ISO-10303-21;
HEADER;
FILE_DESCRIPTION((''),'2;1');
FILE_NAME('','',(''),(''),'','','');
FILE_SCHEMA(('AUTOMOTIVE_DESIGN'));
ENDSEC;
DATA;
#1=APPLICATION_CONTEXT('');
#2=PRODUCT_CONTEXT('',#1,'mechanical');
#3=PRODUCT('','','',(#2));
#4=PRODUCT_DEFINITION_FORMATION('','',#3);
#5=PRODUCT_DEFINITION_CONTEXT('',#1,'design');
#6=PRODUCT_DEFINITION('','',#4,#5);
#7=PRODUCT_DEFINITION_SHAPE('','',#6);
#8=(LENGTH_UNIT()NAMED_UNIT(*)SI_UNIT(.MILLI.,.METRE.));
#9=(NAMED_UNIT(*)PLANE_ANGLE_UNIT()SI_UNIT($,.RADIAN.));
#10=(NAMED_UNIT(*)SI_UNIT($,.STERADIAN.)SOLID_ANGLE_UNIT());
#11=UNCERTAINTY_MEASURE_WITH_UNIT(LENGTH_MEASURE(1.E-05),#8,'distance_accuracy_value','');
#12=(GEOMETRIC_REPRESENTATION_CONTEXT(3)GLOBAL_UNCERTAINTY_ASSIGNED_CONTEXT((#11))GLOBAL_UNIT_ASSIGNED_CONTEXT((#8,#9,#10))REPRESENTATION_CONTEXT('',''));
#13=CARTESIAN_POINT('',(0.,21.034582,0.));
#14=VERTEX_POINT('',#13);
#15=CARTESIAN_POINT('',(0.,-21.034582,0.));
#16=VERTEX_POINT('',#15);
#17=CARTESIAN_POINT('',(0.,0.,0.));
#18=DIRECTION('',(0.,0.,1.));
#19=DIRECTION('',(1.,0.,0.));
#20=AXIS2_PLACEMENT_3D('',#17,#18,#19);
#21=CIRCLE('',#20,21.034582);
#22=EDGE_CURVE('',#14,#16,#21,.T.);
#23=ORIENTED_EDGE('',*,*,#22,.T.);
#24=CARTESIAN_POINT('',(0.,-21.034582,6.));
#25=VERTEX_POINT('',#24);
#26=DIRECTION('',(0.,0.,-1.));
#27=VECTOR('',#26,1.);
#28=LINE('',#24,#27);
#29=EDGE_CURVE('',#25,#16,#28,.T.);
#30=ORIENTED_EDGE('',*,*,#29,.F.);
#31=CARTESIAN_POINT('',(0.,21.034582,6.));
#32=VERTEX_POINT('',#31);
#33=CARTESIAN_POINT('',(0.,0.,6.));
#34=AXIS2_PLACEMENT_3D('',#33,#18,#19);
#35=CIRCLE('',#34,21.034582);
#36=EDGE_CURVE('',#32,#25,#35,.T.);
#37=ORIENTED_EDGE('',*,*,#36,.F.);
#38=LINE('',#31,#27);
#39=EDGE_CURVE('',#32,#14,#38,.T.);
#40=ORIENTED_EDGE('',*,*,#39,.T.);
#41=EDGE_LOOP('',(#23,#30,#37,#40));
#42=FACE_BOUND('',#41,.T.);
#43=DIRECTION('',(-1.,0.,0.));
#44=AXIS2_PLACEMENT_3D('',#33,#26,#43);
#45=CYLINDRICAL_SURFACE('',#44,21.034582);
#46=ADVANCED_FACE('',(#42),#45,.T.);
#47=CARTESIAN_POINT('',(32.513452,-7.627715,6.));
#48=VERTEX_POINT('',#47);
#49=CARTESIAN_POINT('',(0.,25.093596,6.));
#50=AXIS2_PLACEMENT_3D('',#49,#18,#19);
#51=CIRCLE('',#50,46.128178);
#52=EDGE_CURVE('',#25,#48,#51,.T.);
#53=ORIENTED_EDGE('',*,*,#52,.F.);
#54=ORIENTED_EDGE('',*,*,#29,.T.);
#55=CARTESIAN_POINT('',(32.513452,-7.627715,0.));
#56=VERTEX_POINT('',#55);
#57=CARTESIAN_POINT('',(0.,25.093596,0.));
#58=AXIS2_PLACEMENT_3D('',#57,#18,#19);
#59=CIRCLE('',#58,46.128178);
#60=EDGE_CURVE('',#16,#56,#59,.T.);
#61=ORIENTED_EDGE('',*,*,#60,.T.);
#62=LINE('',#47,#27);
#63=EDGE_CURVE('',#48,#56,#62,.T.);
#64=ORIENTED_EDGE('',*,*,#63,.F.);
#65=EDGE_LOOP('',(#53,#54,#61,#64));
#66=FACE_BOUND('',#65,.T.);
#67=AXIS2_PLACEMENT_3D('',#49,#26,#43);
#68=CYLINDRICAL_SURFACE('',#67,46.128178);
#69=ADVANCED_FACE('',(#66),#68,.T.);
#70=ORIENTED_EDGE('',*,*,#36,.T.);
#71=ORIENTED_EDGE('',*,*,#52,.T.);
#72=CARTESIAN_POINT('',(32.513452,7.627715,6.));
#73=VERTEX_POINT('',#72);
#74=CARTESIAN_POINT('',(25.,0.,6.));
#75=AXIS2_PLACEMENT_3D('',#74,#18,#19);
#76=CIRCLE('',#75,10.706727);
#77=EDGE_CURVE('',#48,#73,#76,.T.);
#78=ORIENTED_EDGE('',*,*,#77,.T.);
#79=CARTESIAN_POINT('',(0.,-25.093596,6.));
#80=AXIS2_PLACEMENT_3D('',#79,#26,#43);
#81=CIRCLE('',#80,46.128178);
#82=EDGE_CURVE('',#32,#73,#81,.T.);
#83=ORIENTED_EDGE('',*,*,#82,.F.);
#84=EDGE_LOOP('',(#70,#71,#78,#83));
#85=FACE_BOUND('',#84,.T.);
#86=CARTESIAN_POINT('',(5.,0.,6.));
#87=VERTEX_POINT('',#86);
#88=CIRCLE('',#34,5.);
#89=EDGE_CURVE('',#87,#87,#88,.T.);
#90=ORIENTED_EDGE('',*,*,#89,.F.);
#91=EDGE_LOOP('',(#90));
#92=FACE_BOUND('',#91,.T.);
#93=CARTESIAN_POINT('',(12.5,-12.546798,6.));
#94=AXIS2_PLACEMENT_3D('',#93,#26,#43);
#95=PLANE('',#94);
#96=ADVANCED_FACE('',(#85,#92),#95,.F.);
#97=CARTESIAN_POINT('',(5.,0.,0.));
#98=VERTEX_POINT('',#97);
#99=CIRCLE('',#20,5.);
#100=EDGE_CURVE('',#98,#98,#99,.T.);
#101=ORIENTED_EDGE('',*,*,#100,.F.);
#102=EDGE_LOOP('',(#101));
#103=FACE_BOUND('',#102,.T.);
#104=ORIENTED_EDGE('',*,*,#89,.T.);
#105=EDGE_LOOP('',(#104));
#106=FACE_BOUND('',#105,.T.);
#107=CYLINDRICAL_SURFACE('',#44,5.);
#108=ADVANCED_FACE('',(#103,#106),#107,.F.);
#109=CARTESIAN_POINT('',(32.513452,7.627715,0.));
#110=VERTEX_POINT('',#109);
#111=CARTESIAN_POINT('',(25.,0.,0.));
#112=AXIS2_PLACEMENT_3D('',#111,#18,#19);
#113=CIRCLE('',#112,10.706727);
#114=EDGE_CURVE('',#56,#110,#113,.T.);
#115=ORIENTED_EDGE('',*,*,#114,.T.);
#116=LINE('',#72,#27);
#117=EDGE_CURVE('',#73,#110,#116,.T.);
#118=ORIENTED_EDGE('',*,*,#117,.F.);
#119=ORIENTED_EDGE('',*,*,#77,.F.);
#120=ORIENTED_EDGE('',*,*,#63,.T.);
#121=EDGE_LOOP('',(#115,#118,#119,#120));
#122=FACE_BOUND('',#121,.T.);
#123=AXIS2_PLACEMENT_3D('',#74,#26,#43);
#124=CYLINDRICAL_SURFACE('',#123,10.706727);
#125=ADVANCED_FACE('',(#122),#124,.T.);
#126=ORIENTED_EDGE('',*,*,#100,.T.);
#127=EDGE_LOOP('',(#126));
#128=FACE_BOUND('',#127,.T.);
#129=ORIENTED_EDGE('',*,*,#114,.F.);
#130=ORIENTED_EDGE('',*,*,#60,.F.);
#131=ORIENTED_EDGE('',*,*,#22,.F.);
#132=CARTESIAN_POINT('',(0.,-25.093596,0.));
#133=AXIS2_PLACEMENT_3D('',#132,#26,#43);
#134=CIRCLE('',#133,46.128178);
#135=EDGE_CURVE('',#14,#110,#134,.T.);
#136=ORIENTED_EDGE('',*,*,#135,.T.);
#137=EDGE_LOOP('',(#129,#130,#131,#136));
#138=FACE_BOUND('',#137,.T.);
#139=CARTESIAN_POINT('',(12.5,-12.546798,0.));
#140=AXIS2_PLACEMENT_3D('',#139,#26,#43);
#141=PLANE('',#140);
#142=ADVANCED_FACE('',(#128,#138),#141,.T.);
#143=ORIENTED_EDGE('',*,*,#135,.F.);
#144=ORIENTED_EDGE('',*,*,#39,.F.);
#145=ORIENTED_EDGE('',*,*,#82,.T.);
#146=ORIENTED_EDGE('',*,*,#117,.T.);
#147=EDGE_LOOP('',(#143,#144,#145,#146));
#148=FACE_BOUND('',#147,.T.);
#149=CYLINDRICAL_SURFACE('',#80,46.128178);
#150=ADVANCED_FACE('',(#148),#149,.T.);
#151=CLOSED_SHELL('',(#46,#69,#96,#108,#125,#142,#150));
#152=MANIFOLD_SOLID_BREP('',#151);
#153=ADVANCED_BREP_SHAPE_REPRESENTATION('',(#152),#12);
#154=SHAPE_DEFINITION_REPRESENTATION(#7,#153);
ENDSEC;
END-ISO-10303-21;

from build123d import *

# Parameters (mm, degrees)
SKETCH1_R           = 5
BOSS_EXTRUDE3_DEPTH = 6


with BuildPart() as part:
    # Sketch1 → Boss-Extrude3 (new body)
    with BuildSketch(Plane.XY):
        with BuildLine():
            ThreePointArc((0, 21.034581504), (-21.034581504, 0), (0, -21.034581504))
            ThreePointArc((0, -21.034581504), (17.584571554, -17.551352165), (32.513452001, -7.627715134))
            ThreePointArc((32.513452001, -7.627715134), (35.706726817, 0), (32.513452001, 7.627715134))
            ThreePointArc((32.513452001, 7.627715134), (17.584571554, 17.551352165), (0, 21.034581504))
        make_face()
        Circle(SKETCH1_R, mode=Mode.SUBTRACT)
    extrude(amount=BOSS_EXTRUDE3_DEPTH)


solid = part.part
